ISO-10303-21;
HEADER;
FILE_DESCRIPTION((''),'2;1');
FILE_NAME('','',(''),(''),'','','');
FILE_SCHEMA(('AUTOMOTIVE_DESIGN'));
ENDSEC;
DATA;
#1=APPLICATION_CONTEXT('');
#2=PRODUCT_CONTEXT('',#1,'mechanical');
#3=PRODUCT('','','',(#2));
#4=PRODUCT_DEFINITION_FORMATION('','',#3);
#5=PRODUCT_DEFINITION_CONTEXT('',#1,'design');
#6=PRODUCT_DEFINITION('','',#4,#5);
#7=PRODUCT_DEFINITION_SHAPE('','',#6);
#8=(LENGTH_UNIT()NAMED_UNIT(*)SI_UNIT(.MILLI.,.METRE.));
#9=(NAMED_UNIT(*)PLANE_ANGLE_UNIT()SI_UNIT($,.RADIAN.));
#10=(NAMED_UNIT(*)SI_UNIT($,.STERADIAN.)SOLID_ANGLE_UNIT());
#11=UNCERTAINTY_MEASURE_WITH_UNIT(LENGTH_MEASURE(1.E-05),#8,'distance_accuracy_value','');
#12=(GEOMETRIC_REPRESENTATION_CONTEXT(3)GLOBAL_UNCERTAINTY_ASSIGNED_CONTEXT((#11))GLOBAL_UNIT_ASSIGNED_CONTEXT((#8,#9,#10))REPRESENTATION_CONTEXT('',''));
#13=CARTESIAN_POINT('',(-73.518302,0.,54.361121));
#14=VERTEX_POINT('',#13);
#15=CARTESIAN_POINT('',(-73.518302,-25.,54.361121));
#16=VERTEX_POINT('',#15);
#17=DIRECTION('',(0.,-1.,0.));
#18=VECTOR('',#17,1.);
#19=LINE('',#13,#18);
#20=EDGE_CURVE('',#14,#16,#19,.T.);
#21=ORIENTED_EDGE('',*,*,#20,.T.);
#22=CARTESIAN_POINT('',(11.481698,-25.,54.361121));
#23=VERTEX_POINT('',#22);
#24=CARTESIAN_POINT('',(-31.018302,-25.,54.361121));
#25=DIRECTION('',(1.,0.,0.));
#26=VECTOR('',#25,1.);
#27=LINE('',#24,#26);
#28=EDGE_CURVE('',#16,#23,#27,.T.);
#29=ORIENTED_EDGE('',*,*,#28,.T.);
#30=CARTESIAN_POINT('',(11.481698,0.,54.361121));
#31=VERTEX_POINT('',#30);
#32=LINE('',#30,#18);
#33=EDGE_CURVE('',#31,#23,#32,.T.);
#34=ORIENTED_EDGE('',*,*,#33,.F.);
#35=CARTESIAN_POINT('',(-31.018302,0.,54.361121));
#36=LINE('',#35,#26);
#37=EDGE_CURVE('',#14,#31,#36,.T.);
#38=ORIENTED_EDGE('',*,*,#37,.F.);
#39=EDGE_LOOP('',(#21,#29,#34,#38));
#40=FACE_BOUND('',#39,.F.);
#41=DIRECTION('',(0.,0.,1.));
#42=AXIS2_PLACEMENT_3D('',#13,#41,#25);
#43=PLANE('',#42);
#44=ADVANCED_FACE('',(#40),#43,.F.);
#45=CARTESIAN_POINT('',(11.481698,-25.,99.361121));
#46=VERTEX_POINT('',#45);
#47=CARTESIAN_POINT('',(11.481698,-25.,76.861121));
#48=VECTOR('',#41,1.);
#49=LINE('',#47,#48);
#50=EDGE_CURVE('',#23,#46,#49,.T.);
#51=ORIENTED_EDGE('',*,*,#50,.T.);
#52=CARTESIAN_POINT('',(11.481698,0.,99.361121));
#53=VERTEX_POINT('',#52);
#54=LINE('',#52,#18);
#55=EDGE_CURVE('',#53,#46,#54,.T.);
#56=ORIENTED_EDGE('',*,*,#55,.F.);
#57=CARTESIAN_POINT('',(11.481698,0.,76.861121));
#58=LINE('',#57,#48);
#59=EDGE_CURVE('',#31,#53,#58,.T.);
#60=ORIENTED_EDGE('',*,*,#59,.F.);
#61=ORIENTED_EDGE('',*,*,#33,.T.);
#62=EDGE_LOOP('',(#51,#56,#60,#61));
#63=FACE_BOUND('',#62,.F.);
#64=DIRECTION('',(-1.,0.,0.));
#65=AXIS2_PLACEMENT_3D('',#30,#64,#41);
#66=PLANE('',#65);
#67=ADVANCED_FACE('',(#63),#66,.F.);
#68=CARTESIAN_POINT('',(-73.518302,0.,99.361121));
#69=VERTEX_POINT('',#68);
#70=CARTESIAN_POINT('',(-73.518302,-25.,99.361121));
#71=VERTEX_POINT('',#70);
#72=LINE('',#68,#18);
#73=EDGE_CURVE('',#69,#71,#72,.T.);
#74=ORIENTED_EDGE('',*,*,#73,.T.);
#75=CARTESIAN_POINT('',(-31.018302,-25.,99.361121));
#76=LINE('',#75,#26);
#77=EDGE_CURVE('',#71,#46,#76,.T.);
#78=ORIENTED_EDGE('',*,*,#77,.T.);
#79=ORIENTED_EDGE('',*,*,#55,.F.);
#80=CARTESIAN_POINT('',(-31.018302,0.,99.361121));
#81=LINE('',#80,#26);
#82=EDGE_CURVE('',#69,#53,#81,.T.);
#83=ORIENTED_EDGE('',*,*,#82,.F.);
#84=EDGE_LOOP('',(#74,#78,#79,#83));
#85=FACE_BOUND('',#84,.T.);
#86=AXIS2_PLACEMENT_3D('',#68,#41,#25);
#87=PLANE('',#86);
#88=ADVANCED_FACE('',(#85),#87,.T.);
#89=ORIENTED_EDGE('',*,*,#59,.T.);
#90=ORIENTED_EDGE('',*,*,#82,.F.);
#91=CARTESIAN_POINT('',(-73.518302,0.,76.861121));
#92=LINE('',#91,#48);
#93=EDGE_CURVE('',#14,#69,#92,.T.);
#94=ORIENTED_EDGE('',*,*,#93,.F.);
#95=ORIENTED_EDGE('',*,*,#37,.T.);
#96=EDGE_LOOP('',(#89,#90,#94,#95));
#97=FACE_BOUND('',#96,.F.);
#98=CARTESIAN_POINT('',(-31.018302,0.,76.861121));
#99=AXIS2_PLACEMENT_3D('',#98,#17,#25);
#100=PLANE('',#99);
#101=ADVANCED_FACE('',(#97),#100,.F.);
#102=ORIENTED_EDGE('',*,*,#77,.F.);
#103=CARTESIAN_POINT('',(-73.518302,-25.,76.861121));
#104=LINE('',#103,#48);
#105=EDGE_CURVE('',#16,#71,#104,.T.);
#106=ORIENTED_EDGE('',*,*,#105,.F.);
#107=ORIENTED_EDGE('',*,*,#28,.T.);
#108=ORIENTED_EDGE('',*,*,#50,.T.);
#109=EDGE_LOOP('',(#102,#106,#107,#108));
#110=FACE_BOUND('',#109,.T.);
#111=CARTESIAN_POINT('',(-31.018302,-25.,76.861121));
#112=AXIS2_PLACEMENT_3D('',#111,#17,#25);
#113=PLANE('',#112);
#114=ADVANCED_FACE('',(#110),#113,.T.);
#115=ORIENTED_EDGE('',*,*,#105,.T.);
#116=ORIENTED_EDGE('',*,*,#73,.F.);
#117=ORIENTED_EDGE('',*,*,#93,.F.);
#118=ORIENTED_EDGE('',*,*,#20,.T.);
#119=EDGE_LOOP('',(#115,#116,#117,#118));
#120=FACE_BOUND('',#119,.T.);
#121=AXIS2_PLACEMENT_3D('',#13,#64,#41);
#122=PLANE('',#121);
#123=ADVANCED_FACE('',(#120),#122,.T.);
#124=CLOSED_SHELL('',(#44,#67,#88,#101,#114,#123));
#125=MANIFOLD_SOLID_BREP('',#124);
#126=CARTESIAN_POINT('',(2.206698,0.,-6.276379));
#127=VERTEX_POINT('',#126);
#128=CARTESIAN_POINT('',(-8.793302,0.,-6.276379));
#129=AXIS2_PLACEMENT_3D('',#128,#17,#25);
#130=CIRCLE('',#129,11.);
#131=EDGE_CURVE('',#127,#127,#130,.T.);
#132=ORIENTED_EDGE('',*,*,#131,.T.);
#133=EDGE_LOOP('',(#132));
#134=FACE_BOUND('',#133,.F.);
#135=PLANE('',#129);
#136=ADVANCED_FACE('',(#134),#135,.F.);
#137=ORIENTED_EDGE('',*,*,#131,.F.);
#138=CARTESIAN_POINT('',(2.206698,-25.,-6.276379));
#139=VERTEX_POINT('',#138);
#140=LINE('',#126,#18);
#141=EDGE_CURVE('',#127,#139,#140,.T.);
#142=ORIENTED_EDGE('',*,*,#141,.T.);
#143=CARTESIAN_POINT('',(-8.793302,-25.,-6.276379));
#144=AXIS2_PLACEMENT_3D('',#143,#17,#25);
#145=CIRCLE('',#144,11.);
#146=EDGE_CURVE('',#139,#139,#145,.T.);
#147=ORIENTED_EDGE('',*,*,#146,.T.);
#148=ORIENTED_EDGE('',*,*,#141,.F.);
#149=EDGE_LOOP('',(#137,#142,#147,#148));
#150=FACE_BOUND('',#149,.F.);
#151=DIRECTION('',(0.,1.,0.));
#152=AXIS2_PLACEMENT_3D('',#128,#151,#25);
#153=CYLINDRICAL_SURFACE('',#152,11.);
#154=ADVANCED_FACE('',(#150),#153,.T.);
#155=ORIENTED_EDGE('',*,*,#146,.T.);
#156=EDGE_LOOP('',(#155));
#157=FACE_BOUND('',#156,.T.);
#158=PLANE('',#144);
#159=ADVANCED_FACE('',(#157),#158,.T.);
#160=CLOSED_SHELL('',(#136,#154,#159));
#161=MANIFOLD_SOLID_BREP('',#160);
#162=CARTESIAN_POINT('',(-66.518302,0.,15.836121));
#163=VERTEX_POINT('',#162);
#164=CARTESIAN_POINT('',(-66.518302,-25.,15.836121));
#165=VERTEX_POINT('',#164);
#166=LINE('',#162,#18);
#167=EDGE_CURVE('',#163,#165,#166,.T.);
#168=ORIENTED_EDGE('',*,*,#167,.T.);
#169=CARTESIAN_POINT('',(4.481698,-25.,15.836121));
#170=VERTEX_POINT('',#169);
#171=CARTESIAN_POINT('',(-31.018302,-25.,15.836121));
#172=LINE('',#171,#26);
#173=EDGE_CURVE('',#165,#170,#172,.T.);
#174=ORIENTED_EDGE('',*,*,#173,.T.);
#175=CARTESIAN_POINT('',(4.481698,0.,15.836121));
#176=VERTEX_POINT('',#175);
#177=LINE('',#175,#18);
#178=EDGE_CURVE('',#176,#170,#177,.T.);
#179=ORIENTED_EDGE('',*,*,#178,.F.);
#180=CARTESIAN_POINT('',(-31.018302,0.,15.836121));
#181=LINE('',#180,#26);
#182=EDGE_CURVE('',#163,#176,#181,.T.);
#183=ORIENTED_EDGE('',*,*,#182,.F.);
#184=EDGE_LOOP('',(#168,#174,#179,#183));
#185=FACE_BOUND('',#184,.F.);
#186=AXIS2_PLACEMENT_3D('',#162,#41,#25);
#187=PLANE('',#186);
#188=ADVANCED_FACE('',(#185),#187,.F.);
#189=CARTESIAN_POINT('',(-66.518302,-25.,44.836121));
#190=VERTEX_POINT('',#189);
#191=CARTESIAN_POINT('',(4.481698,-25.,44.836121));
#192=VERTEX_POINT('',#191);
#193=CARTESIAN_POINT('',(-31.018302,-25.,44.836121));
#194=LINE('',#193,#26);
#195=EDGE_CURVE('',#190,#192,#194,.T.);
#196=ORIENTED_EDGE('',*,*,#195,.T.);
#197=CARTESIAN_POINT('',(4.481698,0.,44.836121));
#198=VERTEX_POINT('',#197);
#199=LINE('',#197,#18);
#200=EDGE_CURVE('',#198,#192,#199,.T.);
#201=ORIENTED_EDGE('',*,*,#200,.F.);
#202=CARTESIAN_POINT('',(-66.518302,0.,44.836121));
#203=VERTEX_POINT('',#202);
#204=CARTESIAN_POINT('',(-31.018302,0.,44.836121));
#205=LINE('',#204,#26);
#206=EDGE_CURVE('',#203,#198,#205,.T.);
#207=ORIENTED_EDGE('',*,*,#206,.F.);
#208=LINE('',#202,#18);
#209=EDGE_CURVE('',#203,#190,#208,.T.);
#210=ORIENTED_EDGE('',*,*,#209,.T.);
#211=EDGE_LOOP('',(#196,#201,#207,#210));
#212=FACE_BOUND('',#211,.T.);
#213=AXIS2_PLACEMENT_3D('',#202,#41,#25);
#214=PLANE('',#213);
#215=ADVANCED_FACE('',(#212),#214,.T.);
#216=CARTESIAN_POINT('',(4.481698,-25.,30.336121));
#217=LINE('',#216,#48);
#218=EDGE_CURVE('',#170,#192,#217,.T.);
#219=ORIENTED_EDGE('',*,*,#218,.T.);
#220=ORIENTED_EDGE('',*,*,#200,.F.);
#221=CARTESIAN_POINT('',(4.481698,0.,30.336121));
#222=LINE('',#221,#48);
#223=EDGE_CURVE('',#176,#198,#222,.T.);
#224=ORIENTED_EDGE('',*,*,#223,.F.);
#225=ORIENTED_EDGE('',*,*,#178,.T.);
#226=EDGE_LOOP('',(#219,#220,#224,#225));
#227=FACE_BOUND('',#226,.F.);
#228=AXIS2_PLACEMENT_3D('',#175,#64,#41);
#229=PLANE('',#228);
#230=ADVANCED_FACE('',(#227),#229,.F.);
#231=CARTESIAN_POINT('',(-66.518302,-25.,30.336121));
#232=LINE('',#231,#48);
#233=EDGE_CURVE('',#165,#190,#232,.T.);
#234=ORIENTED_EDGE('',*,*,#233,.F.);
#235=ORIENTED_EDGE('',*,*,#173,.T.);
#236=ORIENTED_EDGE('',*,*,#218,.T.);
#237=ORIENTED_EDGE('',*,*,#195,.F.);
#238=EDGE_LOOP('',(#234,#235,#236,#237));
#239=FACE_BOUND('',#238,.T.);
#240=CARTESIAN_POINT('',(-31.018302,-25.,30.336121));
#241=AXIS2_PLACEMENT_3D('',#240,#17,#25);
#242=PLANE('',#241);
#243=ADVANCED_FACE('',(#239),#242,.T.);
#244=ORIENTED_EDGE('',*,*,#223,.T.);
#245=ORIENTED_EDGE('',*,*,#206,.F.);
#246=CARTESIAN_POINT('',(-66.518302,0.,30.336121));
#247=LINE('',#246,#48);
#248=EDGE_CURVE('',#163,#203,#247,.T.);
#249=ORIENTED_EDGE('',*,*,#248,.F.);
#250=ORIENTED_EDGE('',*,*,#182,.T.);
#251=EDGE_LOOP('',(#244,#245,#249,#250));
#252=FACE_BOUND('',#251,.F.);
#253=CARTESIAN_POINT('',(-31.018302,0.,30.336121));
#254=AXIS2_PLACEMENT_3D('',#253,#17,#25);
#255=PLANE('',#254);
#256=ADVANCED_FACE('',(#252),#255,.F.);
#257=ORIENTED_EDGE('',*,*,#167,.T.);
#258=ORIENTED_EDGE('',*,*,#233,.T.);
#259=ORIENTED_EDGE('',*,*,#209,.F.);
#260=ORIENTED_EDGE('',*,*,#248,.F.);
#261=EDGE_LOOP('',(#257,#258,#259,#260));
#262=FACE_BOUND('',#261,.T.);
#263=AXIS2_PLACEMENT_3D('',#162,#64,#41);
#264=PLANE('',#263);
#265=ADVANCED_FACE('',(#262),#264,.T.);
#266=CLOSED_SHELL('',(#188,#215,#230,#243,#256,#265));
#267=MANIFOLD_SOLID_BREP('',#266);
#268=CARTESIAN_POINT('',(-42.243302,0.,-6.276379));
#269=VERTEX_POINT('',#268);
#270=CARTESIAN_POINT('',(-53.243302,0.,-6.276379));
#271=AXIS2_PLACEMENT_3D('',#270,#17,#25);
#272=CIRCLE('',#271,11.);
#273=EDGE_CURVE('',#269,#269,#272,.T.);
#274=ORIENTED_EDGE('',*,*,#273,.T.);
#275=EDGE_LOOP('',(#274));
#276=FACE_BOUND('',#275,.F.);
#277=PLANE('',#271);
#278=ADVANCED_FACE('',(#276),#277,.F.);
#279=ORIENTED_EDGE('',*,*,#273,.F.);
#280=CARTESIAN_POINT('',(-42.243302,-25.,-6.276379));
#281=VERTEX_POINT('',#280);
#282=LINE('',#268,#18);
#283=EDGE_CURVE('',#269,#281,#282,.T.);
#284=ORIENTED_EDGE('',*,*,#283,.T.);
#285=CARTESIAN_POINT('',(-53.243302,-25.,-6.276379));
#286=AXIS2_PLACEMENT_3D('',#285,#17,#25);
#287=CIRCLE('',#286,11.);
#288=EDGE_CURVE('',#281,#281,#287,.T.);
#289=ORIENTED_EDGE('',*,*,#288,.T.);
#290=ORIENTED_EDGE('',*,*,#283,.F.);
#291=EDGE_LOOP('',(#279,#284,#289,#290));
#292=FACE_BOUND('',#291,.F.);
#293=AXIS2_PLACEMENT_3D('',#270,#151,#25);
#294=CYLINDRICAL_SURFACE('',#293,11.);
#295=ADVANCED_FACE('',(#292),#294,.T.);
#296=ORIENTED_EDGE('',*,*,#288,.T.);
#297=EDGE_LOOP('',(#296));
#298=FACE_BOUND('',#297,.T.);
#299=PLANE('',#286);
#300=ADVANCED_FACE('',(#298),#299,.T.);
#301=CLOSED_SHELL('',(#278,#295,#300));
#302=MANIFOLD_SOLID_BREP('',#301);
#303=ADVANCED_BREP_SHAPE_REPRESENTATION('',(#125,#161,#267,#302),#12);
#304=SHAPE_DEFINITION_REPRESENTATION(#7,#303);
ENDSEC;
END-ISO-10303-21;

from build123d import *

# Parameters (mm, degrees)
F0_W     = 85
F0_H     = 45
F0_W_2   = 71
F0_H_2   = 29
F0_R     = 11
F1_DEPTH = 25


with BuildPart() as f1:
    # F0 (on Front) → F1 (new body)
    with BuildSketch(Plane.XZ):
        with Locations((-31.018302, 76.861121)):
            Rectangle(F0_W, F0_H)
        with Locations((-31.018302, 30.336121)):
            Rectangle(F0_W_2, F0_H_2)
        with Locations((-53.243302, -6.276379)):
            Circle(F0_R)
        with Locations((-8.793302, -6.276379)):
            Circle(F0_R)
    extrude(amount=F1_DEPTH)


solid = f1.part
